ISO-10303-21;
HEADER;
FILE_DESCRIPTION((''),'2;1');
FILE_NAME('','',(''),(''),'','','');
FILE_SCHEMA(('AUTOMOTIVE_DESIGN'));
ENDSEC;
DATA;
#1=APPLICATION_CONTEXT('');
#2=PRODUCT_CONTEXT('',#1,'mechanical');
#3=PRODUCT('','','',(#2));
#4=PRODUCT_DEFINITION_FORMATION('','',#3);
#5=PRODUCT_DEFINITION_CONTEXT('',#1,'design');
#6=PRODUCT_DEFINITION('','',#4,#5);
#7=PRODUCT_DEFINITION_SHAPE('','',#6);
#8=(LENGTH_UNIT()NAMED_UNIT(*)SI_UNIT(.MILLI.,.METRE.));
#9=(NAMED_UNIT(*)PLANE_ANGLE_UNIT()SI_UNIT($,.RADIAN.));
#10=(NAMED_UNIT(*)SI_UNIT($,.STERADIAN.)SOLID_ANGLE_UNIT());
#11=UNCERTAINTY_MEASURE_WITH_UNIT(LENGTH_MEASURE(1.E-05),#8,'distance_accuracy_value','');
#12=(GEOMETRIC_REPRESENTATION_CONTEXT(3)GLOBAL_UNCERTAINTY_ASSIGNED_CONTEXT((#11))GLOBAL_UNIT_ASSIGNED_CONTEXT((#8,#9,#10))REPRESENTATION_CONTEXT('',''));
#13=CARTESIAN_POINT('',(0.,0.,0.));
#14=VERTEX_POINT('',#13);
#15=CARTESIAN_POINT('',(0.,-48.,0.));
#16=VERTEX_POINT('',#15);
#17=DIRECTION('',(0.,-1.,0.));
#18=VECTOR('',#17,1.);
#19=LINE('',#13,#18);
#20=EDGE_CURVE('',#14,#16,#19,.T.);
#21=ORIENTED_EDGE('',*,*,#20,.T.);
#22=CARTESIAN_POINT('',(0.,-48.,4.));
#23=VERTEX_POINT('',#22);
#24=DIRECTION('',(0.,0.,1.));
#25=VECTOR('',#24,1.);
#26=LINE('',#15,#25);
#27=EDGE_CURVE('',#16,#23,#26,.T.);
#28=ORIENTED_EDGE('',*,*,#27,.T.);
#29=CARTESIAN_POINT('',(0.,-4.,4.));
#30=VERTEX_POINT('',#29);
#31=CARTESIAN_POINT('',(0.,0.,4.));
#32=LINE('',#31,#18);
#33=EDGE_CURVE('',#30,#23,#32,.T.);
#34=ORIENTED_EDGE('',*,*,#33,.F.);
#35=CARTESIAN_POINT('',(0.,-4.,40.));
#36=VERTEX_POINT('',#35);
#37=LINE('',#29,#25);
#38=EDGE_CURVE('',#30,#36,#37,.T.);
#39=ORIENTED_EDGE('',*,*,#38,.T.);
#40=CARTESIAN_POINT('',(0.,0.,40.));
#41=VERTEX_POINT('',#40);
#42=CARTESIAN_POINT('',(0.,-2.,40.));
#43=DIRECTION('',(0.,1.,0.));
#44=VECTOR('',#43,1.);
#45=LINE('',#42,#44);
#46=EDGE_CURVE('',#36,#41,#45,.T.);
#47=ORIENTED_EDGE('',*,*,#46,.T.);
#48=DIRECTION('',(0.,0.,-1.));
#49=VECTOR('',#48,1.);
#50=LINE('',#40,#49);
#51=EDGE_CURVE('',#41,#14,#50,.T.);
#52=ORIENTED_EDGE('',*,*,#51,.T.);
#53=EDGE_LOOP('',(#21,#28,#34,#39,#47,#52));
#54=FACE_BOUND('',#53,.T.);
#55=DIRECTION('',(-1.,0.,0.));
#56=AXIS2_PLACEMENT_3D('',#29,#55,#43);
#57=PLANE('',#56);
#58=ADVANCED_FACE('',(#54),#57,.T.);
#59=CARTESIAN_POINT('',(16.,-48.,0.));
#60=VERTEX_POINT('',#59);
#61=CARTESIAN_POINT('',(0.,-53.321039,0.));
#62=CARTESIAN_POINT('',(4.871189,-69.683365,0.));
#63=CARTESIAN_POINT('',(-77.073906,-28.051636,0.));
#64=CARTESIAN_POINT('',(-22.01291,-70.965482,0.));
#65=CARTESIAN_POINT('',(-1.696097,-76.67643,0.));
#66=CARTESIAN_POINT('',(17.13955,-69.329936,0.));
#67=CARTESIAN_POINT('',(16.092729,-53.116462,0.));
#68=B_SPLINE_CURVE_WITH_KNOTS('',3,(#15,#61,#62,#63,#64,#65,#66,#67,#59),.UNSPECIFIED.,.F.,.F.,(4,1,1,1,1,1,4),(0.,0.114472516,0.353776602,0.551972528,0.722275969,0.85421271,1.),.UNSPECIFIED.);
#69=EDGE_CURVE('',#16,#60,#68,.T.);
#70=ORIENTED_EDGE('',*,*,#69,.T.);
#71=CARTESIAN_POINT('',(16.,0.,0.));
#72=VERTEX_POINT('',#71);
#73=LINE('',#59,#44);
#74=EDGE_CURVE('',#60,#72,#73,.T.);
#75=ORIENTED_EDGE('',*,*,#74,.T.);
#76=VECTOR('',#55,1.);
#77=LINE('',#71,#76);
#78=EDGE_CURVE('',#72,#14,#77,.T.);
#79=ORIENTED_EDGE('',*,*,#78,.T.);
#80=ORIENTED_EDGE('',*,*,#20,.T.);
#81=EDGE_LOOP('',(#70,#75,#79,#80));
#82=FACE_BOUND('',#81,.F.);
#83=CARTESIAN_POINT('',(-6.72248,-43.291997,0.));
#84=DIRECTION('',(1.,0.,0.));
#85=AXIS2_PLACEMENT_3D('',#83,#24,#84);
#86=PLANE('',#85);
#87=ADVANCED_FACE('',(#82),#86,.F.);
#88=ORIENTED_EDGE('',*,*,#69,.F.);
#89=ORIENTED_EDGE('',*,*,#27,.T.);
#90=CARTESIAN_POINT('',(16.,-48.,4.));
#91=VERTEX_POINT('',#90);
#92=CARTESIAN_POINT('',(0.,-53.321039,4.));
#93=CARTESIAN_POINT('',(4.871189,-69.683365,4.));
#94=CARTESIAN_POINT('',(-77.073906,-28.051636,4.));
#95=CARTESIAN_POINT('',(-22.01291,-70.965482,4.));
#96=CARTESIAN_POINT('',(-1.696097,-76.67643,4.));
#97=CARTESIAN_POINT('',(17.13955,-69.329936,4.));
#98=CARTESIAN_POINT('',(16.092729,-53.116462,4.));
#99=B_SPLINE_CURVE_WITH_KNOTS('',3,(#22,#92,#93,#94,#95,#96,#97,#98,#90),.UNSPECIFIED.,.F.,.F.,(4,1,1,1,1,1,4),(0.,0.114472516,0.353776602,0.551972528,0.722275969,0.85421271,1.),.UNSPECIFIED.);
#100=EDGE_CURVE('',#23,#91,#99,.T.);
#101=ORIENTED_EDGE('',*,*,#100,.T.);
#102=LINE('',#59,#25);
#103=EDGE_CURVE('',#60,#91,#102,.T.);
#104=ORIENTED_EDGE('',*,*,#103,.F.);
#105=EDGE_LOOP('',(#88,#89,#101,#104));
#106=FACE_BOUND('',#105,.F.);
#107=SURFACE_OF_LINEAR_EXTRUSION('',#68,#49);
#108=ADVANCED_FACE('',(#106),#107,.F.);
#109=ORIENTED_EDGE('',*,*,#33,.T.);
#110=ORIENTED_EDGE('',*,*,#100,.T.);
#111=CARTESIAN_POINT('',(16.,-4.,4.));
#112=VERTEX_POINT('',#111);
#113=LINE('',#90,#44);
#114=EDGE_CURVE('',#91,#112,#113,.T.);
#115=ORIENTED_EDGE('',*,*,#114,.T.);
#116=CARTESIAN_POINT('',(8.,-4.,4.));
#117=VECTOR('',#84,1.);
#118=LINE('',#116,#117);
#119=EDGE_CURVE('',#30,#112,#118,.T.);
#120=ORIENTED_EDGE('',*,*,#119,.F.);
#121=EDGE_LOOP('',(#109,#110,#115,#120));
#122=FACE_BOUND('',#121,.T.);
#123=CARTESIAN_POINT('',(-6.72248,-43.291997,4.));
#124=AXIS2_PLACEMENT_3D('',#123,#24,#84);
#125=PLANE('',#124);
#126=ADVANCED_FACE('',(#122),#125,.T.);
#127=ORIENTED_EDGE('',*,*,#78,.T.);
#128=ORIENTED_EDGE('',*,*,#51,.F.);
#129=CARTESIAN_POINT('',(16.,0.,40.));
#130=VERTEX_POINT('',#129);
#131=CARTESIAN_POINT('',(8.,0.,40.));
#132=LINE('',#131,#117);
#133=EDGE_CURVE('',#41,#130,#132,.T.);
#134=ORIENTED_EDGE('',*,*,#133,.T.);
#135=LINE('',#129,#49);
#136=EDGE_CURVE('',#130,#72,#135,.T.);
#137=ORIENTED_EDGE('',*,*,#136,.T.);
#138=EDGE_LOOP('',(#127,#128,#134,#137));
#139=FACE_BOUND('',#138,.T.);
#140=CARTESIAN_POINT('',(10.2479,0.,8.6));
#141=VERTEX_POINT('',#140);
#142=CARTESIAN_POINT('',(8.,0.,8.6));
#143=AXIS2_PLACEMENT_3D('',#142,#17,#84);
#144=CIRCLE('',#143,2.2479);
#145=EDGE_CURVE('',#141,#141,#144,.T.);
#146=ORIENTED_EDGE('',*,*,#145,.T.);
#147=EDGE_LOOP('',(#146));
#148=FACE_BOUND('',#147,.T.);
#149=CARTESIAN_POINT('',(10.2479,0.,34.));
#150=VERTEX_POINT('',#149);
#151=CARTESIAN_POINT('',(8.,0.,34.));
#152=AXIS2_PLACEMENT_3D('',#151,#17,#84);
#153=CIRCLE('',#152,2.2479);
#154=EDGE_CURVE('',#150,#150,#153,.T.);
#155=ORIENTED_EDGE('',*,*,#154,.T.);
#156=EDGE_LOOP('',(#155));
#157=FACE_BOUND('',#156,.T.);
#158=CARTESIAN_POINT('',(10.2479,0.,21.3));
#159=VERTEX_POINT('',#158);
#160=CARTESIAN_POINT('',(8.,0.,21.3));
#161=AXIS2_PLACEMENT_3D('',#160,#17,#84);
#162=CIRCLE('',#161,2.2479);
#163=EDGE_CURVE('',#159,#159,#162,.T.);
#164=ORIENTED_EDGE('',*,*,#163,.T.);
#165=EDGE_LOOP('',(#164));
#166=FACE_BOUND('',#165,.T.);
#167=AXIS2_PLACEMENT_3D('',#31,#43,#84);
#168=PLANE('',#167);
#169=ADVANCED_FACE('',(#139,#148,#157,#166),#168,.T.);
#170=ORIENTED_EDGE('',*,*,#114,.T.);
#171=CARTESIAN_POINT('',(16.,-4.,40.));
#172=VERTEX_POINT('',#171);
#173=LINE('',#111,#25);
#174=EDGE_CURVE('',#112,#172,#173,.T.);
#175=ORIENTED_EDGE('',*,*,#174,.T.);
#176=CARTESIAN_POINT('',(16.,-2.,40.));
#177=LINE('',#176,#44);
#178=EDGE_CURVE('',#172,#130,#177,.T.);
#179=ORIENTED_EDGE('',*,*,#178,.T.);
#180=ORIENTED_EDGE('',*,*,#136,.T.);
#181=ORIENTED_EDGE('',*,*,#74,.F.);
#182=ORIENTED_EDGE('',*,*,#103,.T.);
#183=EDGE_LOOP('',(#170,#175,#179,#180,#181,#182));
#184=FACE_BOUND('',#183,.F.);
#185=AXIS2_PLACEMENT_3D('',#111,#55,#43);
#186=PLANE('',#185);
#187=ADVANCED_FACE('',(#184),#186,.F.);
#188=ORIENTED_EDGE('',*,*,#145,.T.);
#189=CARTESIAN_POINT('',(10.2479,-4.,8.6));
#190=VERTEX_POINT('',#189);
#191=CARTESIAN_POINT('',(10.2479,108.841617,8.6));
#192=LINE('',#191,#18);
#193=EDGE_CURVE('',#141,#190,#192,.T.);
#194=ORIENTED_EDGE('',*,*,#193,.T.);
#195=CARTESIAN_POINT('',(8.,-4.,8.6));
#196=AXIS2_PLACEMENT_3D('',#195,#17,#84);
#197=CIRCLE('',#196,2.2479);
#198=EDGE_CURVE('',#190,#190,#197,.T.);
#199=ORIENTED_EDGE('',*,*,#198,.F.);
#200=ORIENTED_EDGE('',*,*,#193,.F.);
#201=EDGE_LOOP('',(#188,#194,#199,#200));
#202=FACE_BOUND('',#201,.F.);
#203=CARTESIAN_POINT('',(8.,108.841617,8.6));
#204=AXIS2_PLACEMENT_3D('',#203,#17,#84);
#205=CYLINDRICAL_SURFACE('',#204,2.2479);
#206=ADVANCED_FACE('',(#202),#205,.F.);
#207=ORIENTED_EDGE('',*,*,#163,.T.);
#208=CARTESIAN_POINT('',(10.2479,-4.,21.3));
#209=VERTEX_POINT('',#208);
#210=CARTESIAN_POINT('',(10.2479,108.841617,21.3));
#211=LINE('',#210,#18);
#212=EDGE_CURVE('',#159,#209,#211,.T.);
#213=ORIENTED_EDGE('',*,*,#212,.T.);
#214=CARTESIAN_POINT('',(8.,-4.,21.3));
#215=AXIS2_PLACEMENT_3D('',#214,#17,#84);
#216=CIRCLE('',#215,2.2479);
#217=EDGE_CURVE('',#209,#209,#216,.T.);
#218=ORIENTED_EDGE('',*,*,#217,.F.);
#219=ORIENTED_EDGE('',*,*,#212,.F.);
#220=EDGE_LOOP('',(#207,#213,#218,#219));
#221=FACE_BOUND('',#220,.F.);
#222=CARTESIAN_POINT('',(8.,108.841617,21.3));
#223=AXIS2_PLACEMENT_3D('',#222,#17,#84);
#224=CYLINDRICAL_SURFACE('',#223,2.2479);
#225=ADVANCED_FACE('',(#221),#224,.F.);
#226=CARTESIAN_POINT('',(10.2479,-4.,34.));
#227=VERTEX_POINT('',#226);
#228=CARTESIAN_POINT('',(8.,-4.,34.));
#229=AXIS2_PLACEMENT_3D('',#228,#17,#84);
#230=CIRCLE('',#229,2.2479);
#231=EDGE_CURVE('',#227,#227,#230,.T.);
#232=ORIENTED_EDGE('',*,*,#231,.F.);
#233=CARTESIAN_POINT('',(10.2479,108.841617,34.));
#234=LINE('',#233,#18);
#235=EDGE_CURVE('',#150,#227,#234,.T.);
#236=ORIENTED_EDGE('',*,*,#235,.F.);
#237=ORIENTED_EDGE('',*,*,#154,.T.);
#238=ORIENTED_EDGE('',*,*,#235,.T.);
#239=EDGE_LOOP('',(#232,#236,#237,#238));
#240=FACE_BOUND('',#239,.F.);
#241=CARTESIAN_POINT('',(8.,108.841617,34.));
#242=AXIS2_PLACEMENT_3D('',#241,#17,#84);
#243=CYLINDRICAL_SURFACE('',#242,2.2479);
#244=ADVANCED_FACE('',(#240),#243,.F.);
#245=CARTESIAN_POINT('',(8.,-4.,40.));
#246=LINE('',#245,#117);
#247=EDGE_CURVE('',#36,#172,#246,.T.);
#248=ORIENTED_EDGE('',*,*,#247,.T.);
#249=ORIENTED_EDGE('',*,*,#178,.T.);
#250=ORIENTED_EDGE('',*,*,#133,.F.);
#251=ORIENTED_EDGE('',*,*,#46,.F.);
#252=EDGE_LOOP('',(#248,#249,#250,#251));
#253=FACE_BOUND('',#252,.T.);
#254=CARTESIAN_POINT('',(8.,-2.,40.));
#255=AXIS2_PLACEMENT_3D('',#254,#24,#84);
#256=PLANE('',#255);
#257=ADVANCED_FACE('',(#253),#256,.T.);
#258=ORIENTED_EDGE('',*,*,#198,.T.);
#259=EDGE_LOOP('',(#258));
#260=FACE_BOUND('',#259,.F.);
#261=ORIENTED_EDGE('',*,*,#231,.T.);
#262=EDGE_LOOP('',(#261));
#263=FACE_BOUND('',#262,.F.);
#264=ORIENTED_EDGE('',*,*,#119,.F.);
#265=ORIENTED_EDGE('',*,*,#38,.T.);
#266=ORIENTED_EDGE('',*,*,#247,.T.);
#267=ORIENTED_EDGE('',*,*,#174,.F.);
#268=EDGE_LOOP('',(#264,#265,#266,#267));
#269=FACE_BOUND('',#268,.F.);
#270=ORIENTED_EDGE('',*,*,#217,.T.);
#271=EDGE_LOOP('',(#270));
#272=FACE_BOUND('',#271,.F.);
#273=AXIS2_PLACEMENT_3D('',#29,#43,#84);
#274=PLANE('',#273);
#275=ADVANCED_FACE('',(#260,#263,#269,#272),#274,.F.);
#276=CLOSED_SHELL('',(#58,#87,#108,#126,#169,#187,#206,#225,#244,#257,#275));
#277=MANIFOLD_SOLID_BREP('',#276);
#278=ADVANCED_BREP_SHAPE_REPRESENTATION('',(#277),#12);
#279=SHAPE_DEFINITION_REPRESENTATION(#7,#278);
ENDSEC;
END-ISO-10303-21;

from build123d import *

# Parameters (mm, degrees)
F1_DEPTH = 4
F2_W     = 16
F2_H     = 4
F3_DEPTH = 36
F5_D     = 4.4958


with BuildPart() as f1:
    # F0 (on Top) → F1 (new body)
    with BuildSketch(Plane.XY):
        with BuildLine():
            Line((16, 0), (0, 0))
            Line((0, 0), (0, -48))
            add(Edge.make_bspline(
                [(0, -48), (0, -53.3210391668), (4.8711889229, -69.6833646877), (-77.073906224, -28.0516358471), (-22.0129098005, -70.9654817484), (-1.6960970309, -76.6764302241), (17.1395495186, -69.3299358484), (16.0927286534, -53.1164624078), (16, -48)],
                knots=[0, 0, 0, 0, 0.114472516, 0.3537766025, 0.5519725277, 0.7222759686, 0.85421271, 1, 1, 1, 1], degree=3))
            Line((16, -48), (16, 0))
        make_face()
    extrude(amount=F1_DEPTH)

    # F2 (on face) → F3 (join)
    with BuildSketch(Plane.XY.offset(4)):
        with Locations((8, -2)):
            Rectangle(F2_W, F2_H)
    extrude(amount=F3_DEPTH)

    # F5 (through all)
    with Locations(Plane(origin=(0, 0, 0), x_dir=(-1, 0, 0), z_dir=(0, 1, 0))):
        with Locations((-8, 21.3), (-8, 8.6), (-8, 34)):
            Hole(F5_D / 2)


solid = f1.part
